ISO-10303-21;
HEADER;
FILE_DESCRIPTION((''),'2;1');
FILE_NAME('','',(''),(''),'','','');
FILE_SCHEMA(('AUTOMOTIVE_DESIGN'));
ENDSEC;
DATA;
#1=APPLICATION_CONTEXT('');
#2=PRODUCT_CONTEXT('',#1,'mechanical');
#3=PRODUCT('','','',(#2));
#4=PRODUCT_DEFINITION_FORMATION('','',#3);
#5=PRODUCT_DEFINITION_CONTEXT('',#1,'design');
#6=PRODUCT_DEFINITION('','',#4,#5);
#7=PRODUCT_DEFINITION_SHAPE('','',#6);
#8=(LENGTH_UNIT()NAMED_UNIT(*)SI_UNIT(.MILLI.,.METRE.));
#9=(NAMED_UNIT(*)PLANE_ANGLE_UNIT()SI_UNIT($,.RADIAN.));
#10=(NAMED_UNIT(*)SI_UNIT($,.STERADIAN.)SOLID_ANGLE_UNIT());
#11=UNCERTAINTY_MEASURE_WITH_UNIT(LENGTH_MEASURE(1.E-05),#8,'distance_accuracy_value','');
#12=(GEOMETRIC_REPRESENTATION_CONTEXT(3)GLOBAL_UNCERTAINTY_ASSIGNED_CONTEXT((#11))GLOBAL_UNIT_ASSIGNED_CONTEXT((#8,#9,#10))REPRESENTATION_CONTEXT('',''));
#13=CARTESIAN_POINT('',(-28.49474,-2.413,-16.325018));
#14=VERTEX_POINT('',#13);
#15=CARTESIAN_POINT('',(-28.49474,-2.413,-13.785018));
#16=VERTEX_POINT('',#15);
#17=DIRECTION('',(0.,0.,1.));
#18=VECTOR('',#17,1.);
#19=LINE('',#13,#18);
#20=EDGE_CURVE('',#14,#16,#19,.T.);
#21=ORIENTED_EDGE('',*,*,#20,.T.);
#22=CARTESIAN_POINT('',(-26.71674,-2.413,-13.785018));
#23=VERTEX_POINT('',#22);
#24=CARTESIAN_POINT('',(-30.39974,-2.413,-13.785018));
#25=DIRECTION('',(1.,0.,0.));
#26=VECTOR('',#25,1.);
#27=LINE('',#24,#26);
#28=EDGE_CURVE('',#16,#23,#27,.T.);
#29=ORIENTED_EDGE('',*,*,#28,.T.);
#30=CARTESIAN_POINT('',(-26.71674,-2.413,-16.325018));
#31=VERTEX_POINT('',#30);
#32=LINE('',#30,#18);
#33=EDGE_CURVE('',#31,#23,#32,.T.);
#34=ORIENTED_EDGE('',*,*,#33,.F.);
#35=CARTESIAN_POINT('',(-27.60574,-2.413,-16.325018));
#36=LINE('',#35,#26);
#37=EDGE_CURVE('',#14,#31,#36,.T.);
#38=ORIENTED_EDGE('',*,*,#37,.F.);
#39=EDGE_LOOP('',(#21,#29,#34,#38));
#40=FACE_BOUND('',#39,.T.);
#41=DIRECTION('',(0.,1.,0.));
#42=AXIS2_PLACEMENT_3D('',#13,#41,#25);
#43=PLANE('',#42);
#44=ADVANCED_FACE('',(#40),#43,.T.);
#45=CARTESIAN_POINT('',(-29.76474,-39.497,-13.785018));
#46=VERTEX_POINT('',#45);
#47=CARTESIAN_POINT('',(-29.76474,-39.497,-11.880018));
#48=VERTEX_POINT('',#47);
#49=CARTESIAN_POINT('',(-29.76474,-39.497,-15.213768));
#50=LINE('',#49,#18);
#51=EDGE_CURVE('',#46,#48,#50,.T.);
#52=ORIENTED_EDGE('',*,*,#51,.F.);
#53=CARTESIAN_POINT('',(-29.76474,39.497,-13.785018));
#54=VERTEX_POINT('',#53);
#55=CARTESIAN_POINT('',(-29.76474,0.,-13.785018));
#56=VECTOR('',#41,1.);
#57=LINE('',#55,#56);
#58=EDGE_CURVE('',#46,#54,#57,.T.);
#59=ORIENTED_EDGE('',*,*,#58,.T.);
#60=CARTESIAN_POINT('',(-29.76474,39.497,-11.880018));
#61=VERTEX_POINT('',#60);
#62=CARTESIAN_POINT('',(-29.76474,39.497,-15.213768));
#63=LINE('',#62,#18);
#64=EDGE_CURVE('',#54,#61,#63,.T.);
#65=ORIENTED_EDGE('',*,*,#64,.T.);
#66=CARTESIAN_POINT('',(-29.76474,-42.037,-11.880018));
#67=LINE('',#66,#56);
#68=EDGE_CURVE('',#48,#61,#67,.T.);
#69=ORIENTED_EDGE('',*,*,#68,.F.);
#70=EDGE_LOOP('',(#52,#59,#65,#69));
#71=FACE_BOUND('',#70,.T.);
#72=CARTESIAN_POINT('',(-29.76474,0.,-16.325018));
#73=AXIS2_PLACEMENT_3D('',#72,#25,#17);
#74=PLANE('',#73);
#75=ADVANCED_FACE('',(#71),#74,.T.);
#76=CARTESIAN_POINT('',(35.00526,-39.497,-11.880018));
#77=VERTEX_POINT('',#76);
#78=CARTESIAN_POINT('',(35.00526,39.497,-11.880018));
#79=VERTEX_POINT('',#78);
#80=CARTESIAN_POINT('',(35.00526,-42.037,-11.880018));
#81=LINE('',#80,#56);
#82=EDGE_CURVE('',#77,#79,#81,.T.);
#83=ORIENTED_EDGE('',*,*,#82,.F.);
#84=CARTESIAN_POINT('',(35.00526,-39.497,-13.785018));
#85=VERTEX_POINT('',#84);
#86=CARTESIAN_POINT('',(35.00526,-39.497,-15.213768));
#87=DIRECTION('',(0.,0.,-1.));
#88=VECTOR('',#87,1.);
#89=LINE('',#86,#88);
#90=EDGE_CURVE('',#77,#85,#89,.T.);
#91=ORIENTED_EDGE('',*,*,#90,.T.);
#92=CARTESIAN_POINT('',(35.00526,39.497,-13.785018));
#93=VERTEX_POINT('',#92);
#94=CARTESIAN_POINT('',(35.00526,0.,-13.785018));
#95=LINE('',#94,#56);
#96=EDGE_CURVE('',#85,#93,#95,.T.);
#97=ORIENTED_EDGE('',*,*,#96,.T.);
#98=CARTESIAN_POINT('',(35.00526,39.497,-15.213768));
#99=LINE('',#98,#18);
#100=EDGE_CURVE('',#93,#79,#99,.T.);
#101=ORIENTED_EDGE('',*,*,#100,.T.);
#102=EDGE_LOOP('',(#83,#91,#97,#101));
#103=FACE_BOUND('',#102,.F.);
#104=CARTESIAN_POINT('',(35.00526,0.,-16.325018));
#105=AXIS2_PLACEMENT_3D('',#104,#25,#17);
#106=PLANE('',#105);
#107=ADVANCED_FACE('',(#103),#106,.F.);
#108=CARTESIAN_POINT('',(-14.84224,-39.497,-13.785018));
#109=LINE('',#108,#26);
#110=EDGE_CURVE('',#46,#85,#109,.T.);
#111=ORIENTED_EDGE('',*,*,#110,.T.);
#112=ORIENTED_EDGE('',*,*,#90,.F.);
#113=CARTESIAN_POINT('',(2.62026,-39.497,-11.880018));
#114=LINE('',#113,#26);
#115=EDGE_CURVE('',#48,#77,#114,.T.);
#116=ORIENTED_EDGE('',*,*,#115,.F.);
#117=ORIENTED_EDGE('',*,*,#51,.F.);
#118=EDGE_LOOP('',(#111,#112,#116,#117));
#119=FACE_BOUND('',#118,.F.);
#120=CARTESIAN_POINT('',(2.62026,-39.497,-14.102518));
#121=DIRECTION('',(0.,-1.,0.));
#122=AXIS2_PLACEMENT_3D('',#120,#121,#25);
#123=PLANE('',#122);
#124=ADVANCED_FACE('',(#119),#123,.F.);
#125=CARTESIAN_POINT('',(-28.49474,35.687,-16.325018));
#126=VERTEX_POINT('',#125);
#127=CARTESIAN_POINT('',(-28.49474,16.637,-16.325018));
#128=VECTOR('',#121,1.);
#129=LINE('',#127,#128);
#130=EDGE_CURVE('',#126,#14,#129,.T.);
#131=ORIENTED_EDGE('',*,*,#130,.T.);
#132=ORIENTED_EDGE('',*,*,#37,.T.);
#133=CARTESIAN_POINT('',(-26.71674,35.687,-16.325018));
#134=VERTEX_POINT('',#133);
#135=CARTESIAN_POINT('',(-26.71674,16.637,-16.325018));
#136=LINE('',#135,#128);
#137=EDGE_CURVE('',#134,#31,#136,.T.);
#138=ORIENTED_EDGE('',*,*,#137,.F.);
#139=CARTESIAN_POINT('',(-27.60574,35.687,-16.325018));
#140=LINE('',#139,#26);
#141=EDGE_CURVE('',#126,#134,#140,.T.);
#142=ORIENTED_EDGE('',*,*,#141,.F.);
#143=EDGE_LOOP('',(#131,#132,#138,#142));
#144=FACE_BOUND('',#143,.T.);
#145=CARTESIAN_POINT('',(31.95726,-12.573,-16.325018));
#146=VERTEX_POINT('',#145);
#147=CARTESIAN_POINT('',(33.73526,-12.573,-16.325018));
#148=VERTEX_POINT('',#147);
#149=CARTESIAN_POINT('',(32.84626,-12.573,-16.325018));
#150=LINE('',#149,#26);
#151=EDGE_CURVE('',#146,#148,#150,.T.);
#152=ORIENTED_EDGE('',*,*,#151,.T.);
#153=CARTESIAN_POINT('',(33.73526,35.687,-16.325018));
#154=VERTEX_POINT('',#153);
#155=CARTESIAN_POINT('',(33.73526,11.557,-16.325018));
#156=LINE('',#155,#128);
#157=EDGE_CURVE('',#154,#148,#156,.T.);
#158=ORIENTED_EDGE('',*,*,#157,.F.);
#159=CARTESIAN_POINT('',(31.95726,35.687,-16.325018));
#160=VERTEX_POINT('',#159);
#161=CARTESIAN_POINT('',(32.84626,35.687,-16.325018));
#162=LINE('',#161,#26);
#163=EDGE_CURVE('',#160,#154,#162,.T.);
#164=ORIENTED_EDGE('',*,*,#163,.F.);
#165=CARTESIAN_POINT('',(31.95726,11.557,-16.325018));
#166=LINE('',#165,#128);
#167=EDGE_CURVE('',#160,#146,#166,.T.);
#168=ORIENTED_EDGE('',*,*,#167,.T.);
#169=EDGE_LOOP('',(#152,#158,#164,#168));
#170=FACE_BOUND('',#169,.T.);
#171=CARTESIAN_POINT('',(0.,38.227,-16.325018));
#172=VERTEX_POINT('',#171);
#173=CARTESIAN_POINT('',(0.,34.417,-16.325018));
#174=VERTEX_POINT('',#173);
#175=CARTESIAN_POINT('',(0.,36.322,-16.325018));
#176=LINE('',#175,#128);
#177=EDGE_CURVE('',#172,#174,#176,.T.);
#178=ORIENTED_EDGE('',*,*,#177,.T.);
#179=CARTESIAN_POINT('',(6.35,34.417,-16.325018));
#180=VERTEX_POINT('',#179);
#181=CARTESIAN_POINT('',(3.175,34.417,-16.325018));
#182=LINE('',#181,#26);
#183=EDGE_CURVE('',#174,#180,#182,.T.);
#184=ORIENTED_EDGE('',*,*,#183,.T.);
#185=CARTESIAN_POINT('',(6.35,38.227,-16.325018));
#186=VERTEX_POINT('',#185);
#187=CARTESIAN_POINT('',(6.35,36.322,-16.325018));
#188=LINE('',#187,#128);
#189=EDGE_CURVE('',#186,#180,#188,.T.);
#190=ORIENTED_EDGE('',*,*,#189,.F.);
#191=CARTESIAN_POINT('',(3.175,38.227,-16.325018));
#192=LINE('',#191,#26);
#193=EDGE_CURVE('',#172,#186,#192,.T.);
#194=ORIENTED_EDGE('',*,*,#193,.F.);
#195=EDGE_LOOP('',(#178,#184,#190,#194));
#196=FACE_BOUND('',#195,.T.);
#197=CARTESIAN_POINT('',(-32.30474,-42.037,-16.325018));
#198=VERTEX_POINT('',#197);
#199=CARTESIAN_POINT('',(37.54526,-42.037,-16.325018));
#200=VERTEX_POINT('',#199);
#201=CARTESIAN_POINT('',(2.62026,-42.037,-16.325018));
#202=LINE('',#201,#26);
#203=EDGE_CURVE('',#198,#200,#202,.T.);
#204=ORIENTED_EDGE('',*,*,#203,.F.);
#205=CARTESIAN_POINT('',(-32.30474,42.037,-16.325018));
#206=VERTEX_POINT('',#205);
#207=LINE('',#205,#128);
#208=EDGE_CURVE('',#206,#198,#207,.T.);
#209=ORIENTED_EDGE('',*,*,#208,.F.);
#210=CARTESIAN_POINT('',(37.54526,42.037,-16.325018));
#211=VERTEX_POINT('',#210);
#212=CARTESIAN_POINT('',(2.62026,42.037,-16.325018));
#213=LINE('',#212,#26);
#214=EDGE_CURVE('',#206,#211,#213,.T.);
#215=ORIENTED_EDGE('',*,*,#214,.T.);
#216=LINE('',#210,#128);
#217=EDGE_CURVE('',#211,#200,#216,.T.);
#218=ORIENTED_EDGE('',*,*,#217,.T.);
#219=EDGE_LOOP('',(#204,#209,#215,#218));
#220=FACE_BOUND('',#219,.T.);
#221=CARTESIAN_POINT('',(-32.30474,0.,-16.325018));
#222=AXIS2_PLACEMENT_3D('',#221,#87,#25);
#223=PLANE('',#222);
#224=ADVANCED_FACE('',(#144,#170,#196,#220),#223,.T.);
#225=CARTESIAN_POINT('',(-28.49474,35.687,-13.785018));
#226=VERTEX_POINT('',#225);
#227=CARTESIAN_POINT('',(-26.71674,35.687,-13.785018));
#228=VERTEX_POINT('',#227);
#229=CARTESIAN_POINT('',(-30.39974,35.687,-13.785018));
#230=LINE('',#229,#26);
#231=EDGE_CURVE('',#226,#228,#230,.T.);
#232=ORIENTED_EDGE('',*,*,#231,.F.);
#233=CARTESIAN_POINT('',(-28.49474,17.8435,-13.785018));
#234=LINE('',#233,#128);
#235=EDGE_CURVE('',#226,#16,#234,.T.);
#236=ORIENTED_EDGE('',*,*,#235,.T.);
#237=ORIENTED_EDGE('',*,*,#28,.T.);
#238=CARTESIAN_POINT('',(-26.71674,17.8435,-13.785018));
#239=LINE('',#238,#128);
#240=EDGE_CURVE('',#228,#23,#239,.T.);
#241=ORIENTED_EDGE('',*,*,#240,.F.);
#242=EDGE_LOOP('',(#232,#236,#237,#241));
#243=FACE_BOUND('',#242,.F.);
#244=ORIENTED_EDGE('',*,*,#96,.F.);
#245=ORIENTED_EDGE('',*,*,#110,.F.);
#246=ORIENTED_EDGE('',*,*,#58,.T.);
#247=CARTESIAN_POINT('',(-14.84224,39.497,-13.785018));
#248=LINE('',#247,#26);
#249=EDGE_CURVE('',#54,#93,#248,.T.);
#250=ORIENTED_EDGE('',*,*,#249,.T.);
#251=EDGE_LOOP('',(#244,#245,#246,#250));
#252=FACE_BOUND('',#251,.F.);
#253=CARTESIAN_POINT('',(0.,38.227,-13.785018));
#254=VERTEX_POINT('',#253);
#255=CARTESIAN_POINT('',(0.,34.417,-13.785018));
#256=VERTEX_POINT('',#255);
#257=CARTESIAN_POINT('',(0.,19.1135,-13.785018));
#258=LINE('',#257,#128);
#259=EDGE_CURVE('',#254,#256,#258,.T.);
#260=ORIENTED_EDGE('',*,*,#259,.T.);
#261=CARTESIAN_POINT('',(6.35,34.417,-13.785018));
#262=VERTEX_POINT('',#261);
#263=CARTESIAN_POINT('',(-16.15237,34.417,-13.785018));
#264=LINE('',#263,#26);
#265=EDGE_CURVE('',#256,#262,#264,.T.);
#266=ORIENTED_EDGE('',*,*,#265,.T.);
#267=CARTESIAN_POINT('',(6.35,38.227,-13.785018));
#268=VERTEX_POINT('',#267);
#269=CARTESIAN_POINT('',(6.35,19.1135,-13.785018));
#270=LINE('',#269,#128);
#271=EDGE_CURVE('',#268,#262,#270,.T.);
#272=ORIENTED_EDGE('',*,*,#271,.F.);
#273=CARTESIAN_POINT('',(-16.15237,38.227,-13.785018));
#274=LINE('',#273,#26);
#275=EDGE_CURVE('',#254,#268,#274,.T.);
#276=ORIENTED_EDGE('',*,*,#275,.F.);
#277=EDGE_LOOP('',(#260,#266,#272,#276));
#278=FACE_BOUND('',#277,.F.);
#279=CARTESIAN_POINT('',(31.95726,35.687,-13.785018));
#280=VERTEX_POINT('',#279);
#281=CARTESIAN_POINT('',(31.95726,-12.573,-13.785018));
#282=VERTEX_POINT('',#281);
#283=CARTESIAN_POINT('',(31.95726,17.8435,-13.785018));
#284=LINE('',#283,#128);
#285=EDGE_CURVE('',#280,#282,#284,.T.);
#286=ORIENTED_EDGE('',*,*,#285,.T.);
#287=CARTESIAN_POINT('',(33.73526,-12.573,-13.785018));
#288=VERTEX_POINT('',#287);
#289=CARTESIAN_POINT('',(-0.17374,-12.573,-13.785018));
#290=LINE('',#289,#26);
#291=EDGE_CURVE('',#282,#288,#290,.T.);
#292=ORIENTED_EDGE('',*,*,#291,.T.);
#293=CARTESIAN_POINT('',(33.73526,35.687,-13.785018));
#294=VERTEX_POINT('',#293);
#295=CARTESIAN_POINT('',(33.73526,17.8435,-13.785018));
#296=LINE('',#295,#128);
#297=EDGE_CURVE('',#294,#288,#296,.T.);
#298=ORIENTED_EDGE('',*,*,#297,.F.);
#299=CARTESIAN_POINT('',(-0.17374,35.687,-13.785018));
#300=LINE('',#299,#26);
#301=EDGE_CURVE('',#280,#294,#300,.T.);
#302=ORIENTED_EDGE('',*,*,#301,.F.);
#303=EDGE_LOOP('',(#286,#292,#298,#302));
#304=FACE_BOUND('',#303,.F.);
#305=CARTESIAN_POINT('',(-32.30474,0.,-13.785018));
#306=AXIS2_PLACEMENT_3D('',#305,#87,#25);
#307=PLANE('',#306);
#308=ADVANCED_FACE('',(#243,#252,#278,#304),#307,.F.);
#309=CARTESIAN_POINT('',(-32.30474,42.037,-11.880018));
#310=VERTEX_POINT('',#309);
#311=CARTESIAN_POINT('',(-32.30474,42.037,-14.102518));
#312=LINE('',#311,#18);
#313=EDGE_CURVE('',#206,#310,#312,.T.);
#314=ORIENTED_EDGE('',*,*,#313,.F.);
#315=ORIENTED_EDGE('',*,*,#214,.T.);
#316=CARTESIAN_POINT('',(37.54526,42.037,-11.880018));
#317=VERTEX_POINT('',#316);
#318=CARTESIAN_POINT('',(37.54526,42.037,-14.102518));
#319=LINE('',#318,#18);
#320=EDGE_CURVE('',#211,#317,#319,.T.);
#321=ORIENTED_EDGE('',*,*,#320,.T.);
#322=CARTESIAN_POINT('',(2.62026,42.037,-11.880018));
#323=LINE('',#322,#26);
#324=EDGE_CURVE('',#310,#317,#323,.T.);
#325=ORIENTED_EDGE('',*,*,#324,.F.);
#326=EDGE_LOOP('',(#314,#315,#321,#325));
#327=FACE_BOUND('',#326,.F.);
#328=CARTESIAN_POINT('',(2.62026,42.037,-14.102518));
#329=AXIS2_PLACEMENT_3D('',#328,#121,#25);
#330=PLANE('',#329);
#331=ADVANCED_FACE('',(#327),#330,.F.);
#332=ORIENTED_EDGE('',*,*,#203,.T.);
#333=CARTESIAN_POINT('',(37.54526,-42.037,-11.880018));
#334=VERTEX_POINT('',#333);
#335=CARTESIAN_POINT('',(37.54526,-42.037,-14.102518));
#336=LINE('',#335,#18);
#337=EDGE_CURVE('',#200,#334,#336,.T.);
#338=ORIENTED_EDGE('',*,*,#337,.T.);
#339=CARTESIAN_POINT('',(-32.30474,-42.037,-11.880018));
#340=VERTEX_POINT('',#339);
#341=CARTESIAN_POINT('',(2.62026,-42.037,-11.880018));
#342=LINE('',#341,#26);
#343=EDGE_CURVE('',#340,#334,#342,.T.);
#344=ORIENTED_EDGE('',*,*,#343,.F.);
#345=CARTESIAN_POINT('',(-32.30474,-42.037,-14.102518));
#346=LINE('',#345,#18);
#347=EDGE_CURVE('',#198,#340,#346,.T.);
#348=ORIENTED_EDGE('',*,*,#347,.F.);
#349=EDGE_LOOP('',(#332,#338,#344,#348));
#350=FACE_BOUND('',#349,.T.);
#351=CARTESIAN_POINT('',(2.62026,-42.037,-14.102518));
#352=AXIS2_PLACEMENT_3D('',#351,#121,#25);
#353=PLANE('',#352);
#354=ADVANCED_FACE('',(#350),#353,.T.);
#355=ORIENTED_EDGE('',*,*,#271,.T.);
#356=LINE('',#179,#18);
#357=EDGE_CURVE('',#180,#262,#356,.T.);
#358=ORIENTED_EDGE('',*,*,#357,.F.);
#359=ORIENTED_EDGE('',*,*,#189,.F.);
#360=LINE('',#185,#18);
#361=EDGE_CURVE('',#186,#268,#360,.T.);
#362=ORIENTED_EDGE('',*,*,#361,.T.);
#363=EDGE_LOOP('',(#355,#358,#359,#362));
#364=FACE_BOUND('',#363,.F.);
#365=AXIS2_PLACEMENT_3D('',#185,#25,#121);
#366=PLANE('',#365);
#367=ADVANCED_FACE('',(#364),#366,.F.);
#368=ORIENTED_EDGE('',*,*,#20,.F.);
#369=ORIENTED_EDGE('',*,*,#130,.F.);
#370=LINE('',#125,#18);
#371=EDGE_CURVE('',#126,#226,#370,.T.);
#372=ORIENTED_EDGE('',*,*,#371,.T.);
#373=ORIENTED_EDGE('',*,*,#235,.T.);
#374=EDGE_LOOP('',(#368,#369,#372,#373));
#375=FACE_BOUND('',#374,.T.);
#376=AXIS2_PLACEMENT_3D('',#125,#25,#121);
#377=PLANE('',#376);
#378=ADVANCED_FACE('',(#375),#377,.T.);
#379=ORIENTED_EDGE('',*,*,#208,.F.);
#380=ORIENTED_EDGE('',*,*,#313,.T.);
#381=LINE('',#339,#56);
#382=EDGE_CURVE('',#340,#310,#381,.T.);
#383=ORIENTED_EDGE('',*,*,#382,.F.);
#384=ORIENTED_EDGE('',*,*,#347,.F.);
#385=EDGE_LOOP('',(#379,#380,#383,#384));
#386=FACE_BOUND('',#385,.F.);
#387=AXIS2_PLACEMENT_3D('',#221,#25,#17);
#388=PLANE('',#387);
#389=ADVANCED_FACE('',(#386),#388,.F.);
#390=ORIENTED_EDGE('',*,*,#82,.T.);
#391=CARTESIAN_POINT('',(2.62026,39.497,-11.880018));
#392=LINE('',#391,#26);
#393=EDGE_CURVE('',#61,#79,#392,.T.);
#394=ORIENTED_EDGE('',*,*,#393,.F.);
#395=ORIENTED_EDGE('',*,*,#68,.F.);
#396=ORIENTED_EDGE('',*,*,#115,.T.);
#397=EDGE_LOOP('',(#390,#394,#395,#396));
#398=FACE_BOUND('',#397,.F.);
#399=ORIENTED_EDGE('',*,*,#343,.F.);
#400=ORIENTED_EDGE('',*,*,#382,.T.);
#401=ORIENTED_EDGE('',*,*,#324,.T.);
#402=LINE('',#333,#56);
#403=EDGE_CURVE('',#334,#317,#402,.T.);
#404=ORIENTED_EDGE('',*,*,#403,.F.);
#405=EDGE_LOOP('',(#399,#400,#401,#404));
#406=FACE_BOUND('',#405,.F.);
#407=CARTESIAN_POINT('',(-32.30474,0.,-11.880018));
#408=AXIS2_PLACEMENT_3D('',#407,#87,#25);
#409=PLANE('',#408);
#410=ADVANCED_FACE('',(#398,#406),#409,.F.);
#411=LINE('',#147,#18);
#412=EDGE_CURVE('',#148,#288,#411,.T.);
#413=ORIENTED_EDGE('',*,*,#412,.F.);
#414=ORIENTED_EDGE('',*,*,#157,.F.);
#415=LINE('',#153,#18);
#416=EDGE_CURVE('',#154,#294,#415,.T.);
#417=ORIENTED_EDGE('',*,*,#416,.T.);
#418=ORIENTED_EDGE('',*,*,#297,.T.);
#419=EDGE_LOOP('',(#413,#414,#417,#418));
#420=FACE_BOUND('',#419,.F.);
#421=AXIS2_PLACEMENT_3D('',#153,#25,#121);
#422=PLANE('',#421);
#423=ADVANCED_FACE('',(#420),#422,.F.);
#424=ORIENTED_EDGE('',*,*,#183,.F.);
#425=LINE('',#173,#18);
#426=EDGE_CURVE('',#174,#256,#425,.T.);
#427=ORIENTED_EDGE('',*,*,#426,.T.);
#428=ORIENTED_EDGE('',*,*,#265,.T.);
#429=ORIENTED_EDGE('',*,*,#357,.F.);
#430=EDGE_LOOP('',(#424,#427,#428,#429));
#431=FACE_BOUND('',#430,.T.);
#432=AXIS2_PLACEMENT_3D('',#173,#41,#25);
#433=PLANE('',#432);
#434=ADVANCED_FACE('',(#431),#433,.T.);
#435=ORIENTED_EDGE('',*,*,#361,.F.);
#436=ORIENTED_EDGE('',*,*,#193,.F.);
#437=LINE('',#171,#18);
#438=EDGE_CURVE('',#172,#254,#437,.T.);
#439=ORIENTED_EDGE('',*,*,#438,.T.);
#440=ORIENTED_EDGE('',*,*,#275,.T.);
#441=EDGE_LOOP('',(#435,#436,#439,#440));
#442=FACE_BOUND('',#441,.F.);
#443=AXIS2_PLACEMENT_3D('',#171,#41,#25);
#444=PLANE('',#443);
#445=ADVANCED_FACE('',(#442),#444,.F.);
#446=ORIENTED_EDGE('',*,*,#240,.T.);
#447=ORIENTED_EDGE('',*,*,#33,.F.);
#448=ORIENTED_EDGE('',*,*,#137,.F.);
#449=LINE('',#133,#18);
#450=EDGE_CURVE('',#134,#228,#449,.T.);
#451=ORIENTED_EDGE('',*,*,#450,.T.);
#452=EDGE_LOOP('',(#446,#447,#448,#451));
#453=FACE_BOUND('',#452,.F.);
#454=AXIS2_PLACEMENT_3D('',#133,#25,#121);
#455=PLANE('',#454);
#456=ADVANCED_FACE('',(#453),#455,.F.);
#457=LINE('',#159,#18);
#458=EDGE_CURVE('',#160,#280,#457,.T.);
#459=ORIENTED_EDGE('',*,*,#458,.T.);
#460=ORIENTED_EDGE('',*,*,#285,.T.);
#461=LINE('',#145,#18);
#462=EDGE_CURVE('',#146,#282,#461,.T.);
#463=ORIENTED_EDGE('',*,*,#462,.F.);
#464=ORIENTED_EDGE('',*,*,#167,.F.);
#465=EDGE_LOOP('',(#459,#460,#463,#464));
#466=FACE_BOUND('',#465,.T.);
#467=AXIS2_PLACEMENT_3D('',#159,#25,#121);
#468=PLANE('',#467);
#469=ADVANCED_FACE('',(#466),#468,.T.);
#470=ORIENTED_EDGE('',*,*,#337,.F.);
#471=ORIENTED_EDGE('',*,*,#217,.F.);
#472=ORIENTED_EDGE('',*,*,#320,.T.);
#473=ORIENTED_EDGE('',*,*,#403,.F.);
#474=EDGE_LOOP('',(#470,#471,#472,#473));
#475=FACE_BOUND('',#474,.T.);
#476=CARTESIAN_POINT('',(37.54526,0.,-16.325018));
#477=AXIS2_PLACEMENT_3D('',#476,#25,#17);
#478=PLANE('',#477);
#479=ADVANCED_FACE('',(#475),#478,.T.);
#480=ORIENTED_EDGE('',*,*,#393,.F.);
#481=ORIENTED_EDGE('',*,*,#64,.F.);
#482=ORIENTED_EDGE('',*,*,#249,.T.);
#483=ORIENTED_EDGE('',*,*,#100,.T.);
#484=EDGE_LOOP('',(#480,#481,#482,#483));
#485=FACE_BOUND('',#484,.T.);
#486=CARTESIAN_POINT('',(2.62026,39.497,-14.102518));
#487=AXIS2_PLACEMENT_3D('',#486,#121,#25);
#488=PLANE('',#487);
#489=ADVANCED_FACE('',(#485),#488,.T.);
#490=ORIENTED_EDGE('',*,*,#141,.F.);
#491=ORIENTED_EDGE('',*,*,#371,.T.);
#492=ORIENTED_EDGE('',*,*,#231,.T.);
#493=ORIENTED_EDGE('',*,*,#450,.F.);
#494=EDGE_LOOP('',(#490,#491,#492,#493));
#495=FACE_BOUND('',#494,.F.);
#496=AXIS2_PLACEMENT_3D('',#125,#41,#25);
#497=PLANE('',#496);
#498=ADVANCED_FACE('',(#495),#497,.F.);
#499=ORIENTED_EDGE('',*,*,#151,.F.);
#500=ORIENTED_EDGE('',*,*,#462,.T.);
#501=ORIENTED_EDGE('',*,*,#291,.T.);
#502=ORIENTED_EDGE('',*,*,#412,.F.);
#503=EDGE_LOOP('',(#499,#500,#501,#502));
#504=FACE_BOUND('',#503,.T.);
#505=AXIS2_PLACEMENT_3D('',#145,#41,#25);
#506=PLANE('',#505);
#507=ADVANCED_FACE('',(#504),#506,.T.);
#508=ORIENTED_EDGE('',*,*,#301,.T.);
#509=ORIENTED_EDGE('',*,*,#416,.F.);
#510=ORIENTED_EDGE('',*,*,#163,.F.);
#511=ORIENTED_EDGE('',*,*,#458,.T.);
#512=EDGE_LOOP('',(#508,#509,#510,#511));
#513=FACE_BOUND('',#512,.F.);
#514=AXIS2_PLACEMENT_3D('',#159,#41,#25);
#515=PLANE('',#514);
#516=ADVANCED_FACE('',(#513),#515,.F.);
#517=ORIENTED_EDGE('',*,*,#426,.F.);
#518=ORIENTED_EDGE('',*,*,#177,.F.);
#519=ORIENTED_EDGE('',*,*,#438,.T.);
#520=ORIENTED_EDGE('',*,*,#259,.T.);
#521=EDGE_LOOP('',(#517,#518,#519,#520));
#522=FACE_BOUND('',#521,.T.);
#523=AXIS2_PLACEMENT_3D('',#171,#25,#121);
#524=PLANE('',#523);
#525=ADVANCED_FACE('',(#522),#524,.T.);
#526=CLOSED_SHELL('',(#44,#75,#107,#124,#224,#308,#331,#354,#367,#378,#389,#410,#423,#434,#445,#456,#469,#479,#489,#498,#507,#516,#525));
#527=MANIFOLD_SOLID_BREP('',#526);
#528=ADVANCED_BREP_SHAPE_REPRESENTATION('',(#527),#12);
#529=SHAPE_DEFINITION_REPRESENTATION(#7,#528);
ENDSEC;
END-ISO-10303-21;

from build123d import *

# Parameters (mm, degrees)
F0_W     = 69.85
F0_H     = 4.445
F1_DEPTH = 42.037
F2_T     = -2.54
F3_W     = 1.778
F3_H     = 38.1
F3_W_2   = 6.35
F3_H_2   = 3.81
F3_H_3   = 48.26
F4_DEPTH = 25.4


with BuildPart() as f1:
    # F0 (on Front) → F1 (new body, symmetric)
    with BuildSketch(Plane.XZ):
        with Locations((2.62026, -14.102518)):
            Rectangle(F0_W, F0_H)
    extrude(amount=F1_DEPTH, both=True)

    # F2
    f2_openings = [f1.faces().sort_by_distance(p)[0] for p in [
        (2.62026, 0, -11.880018),
    ]]
    offset(amount=F2_T, openings=f2_openings)

    # F3 (on face) → F4 (cut)
    with BuildSketch(Plane(origin=(0, 0, -16.325018), x_dir=(1, 0, 0), z_dir=(0, 0, -1))):
        with Locations((-27.60574, -16.637)):
            Rectangle(F3_W, F3_H)
        with Locations((3.175, -36.322)):
            Rectangle(F3_W_2, F3_H_2)
        with Locations((32.84626, -11.557)):
            Rectangle(F3_W, F3_H_3)
    extrude(amount=-F4_DEPTH, mode=Mode.SUBTRACT)


solid = f1.part
